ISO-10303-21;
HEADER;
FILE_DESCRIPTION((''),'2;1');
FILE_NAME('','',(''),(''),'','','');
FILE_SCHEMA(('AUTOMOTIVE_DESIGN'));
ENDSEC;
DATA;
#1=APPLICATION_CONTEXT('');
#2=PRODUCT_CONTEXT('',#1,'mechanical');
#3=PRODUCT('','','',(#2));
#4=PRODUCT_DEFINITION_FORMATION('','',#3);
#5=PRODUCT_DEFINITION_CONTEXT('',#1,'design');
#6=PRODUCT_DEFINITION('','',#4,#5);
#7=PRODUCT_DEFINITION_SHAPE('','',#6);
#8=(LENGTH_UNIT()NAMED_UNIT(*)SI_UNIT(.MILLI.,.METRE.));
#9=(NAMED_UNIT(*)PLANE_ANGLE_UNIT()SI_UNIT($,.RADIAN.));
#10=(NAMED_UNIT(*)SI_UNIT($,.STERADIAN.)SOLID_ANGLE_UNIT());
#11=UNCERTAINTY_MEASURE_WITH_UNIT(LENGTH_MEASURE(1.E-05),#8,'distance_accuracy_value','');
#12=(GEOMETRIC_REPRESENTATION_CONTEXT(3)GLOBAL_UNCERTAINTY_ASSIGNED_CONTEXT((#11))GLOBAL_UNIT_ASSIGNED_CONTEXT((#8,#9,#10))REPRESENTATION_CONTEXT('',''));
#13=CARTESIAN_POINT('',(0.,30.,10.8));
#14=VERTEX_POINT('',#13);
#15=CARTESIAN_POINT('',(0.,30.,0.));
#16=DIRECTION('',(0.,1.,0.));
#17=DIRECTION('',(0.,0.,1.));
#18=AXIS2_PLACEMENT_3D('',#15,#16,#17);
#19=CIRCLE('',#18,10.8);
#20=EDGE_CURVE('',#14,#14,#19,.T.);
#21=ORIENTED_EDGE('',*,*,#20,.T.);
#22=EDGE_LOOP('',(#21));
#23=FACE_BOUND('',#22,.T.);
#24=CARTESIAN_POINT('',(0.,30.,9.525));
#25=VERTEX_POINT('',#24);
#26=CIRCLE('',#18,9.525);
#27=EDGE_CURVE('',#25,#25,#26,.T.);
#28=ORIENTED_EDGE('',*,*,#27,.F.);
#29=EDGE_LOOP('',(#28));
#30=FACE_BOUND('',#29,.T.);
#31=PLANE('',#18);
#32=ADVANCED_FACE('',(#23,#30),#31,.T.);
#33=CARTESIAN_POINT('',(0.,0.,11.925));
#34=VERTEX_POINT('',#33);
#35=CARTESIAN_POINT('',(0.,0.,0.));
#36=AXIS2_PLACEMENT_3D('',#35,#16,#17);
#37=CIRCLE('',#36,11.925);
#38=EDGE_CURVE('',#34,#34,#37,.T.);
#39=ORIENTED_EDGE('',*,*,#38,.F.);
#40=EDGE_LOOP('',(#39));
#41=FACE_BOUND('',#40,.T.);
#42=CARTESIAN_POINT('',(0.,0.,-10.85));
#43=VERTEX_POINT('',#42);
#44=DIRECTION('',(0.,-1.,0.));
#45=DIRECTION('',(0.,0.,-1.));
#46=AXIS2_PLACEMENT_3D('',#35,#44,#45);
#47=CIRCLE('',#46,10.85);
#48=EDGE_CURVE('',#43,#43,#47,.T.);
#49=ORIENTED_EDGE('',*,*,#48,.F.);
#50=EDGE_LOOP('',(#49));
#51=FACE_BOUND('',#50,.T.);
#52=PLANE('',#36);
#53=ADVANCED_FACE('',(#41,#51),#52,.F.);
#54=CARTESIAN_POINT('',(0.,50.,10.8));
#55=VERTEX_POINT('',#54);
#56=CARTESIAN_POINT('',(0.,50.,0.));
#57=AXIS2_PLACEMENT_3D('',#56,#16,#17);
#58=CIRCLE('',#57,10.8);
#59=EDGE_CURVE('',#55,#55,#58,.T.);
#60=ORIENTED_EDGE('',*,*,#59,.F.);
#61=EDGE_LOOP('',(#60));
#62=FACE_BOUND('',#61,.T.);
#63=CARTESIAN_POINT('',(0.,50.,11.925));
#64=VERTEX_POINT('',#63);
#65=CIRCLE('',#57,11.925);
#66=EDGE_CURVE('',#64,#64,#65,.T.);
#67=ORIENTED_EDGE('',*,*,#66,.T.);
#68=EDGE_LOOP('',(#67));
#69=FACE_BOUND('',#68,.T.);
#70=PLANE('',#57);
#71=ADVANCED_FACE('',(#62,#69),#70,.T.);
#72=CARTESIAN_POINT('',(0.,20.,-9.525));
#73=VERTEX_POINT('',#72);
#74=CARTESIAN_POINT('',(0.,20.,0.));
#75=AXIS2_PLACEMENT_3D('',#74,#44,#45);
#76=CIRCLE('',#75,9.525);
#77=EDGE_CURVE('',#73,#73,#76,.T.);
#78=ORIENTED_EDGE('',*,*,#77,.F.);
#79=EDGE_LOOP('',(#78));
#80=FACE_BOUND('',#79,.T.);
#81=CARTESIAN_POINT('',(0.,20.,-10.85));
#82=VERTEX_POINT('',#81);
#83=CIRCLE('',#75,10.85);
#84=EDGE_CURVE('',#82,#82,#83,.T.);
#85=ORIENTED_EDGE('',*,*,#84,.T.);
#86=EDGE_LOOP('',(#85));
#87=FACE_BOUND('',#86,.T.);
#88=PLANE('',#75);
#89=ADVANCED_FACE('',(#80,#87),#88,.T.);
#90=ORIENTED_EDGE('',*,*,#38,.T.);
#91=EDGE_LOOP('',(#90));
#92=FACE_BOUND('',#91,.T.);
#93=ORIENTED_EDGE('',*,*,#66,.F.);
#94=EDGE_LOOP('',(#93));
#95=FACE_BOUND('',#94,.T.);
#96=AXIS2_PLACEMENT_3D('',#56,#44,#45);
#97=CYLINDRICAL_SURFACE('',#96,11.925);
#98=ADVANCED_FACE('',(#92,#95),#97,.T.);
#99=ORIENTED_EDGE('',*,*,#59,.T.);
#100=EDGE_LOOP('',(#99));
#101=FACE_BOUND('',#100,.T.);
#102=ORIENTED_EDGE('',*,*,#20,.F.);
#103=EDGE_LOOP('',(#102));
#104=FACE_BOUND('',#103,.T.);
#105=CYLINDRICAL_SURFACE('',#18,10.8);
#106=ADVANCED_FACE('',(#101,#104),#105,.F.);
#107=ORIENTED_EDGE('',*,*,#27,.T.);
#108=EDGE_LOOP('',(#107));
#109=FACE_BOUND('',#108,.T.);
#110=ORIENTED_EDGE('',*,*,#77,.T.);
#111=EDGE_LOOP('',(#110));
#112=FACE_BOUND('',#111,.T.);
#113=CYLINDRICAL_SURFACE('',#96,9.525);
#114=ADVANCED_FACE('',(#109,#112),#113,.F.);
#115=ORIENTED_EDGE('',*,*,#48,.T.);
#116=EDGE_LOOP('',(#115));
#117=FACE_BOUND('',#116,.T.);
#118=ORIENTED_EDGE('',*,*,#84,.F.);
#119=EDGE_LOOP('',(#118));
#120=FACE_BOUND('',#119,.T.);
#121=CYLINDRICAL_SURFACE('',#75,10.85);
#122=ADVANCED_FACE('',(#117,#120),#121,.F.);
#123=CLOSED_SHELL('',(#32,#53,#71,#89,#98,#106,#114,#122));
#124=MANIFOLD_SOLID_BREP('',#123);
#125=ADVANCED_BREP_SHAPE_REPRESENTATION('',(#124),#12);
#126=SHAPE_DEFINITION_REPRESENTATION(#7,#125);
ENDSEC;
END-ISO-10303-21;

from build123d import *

# Parameters (mm, degrees)
SKETCH1_R           = 11.925
SKETCH1_R_2         = 9.525
BOSS_EXTRUDE1_DEPTH = 50
SKETCH2_R           = 10.85
CUT_EXTRUDE1_DEPTH  = 20
SKETCH3_R           = 10.8
CUT_EXTRUDE2_DEPTH  = 20


with BuildPart() as part:
    # Sketch1 → Boss-Extrude1 (new body)
    with BuildSketch(Plane(origin=(0, 0, 0), x_dir=(1, 0, 0), z_dir=(0, 1, 0))):
        with Locations(Location((0, 0, 0), (0, 0, 270))):
            Circle(SKETCH1_R)
        with Locations(Location((0, 0, 0), (0, 0, 270))):
            Circle(SKETCH1_R_2, mode=Mode.SUBTRACT)
    extrude(amount=BOSS_EXTRUDE1_DEPTH)

    # Sketch2 → Cut-Extrude1 (cut)
    with BuildSketch(Plane.XZ):
        with Locations(Location((0, 0, 0), (0, 0, 270))):
            Circle(SKETCH2_R)
    extrude(amount=-CUT_EXTRUDE1_DEPTH, mode=Mode.SUBTRACT)

    # Sketch3 → Cut-Extrude2 (cut)
    with BuildSketch(Plane(origin=(0, 50, 0), x_dir=(1, 0, 0), z_dir=(0, 1, 0))):
        with Locations(Location((0, 0, 0), (0, 0, 270))):
            Circle(SKETCH3_R)
    extrude(amount=-CUT_EXTRUDE2_DEPTH, mode=Mode.SUBTRACT)


solid = part.part
